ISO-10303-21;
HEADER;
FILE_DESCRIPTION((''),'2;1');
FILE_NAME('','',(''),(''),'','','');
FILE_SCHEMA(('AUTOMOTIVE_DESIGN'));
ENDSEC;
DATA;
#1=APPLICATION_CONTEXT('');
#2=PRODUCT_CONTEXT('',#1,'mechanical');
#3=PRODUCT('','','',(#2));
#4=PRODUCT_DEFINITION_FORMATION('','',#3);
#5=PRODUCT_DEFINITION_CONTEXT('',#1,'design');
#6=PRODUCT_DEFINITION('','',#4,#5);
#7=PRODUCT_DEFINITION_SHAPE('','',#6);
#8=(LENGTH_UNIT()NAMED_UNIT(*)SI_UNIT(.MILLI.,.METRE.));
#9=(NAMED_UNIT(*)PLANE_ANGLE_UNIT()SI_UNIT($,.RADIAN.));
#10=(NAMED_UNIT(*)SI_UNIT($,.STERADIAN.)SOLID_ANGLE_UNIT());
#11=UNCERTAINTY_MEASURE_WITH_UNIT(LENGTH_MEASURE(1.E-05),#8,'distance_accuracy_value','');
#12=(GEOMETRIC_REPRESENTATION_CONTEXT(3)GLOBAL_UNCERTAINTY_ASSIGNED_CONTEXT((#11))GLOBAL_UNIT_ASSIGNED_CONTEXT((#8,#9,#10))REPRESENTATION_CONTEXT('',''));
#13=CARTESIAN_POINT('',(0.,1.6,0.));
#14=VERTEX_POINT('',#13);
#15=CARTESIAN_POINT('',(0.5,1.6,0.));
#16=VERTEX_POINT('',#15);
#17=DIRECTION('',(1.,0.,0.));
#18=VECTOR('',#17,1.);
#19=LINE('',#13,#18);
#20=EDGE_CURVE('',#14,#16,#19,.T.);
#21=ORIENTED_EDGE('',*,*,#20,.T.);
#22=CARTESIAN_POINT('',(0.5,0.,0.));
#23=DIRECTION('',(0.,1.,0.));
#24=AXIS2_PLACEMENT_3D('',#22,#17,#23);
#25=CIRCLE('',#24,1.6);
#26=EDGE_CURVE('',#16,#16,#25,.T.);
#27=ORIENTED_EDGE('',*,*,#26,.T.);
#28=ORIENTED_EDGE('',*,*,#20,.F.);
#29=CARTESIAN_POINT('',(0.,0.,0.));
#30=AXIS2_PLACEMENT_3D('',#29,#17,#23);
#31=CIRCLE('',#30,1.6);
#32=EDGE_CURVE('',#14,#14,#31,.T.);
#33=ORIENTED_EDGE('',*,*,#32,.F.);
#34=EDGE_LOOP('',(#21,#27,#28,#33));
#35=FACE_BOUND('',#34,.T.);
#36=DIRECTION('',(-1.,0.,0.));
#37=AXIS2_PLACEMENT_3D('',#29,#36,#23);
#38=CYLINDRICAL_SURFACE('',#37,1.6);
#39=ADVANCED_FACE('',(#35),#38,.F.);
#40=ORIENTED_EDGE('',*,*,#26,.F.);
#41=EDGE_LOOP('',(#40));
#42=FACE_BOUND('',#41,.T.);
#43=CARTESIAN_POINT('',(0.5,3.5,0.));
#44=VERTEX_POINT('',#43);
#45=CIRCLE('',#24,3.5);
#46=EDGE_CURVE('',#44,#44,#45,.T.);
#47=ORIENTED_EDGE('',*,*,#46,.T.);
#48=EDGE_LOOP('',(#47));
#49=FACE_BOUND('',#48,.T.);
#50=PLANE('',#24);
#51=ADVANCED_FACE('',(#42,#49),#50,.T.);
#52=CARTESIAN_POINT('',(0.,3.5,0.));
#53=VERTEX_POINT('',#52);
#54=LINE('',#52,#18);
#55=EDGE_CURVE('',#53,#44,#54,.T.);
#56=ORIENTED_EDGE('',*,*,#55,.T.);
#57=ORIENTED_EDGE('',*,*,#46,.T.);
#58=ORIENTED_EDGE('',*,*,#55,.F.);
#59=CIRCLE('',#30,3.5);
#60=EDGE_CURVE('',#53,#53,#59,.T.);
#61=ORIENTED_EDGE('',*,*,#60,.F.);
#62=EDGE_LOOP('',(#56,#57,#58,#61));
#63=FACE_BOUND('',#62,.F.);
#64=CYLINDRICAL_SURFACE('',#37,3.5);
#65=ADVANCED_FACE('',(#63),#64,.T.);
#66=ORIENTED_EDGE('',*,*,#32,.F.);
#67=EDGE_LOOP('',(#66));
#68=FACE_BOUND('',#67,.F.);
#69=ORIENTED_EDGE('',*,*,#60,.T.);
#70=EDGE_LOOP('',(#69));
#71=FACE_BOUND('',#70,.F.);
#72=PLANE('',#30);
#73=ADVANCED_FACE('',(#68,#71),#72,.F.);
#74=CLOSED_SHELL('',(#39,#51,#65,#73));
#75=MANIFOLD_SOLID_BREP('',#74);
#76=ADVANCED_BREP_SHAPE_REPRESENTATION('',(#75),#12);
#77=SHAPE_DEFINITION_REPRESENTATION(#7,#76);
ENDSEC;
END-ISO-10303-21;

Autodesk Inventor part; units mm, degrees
ref_plane "YZ Plane" through (0, 0, 0) normal (1, 0, 0) x (0, 1, 0)
ref_plane "XZ Plane" through (0, 0, 0) normal (0, 1, 0) x (-1, 0, 0)
sketch "Esquisse" plane through (0, 0, 0) normal (1, 0, 0) x (0, 1, 0)
  circle A0 centre (0, 0) radius 3.5
  circle A1 centre (0, 0) radius 1.6
  dimension "d0" = 3.2
  dimension "d1" = 7
extrude "Corps" add sketch "Esquisse" along normal blind 0.5
ref_plane "Work Plane1" through (0, 0, 0) normal (0, 0, 1) x (1, 0, 0)
equation "\"d0\" = SD1"
equation "\"d1\" = SD2"
equation "\"d2\" = SD"
equation "\"SD1\" = 3.2"
equation "\"SD2\" = 7"
equation "\"SD\" = 0.5"
equation "\"NND\" = 3"
properties part number "DIN 125 - A 3,2" material "Acier, doux"
